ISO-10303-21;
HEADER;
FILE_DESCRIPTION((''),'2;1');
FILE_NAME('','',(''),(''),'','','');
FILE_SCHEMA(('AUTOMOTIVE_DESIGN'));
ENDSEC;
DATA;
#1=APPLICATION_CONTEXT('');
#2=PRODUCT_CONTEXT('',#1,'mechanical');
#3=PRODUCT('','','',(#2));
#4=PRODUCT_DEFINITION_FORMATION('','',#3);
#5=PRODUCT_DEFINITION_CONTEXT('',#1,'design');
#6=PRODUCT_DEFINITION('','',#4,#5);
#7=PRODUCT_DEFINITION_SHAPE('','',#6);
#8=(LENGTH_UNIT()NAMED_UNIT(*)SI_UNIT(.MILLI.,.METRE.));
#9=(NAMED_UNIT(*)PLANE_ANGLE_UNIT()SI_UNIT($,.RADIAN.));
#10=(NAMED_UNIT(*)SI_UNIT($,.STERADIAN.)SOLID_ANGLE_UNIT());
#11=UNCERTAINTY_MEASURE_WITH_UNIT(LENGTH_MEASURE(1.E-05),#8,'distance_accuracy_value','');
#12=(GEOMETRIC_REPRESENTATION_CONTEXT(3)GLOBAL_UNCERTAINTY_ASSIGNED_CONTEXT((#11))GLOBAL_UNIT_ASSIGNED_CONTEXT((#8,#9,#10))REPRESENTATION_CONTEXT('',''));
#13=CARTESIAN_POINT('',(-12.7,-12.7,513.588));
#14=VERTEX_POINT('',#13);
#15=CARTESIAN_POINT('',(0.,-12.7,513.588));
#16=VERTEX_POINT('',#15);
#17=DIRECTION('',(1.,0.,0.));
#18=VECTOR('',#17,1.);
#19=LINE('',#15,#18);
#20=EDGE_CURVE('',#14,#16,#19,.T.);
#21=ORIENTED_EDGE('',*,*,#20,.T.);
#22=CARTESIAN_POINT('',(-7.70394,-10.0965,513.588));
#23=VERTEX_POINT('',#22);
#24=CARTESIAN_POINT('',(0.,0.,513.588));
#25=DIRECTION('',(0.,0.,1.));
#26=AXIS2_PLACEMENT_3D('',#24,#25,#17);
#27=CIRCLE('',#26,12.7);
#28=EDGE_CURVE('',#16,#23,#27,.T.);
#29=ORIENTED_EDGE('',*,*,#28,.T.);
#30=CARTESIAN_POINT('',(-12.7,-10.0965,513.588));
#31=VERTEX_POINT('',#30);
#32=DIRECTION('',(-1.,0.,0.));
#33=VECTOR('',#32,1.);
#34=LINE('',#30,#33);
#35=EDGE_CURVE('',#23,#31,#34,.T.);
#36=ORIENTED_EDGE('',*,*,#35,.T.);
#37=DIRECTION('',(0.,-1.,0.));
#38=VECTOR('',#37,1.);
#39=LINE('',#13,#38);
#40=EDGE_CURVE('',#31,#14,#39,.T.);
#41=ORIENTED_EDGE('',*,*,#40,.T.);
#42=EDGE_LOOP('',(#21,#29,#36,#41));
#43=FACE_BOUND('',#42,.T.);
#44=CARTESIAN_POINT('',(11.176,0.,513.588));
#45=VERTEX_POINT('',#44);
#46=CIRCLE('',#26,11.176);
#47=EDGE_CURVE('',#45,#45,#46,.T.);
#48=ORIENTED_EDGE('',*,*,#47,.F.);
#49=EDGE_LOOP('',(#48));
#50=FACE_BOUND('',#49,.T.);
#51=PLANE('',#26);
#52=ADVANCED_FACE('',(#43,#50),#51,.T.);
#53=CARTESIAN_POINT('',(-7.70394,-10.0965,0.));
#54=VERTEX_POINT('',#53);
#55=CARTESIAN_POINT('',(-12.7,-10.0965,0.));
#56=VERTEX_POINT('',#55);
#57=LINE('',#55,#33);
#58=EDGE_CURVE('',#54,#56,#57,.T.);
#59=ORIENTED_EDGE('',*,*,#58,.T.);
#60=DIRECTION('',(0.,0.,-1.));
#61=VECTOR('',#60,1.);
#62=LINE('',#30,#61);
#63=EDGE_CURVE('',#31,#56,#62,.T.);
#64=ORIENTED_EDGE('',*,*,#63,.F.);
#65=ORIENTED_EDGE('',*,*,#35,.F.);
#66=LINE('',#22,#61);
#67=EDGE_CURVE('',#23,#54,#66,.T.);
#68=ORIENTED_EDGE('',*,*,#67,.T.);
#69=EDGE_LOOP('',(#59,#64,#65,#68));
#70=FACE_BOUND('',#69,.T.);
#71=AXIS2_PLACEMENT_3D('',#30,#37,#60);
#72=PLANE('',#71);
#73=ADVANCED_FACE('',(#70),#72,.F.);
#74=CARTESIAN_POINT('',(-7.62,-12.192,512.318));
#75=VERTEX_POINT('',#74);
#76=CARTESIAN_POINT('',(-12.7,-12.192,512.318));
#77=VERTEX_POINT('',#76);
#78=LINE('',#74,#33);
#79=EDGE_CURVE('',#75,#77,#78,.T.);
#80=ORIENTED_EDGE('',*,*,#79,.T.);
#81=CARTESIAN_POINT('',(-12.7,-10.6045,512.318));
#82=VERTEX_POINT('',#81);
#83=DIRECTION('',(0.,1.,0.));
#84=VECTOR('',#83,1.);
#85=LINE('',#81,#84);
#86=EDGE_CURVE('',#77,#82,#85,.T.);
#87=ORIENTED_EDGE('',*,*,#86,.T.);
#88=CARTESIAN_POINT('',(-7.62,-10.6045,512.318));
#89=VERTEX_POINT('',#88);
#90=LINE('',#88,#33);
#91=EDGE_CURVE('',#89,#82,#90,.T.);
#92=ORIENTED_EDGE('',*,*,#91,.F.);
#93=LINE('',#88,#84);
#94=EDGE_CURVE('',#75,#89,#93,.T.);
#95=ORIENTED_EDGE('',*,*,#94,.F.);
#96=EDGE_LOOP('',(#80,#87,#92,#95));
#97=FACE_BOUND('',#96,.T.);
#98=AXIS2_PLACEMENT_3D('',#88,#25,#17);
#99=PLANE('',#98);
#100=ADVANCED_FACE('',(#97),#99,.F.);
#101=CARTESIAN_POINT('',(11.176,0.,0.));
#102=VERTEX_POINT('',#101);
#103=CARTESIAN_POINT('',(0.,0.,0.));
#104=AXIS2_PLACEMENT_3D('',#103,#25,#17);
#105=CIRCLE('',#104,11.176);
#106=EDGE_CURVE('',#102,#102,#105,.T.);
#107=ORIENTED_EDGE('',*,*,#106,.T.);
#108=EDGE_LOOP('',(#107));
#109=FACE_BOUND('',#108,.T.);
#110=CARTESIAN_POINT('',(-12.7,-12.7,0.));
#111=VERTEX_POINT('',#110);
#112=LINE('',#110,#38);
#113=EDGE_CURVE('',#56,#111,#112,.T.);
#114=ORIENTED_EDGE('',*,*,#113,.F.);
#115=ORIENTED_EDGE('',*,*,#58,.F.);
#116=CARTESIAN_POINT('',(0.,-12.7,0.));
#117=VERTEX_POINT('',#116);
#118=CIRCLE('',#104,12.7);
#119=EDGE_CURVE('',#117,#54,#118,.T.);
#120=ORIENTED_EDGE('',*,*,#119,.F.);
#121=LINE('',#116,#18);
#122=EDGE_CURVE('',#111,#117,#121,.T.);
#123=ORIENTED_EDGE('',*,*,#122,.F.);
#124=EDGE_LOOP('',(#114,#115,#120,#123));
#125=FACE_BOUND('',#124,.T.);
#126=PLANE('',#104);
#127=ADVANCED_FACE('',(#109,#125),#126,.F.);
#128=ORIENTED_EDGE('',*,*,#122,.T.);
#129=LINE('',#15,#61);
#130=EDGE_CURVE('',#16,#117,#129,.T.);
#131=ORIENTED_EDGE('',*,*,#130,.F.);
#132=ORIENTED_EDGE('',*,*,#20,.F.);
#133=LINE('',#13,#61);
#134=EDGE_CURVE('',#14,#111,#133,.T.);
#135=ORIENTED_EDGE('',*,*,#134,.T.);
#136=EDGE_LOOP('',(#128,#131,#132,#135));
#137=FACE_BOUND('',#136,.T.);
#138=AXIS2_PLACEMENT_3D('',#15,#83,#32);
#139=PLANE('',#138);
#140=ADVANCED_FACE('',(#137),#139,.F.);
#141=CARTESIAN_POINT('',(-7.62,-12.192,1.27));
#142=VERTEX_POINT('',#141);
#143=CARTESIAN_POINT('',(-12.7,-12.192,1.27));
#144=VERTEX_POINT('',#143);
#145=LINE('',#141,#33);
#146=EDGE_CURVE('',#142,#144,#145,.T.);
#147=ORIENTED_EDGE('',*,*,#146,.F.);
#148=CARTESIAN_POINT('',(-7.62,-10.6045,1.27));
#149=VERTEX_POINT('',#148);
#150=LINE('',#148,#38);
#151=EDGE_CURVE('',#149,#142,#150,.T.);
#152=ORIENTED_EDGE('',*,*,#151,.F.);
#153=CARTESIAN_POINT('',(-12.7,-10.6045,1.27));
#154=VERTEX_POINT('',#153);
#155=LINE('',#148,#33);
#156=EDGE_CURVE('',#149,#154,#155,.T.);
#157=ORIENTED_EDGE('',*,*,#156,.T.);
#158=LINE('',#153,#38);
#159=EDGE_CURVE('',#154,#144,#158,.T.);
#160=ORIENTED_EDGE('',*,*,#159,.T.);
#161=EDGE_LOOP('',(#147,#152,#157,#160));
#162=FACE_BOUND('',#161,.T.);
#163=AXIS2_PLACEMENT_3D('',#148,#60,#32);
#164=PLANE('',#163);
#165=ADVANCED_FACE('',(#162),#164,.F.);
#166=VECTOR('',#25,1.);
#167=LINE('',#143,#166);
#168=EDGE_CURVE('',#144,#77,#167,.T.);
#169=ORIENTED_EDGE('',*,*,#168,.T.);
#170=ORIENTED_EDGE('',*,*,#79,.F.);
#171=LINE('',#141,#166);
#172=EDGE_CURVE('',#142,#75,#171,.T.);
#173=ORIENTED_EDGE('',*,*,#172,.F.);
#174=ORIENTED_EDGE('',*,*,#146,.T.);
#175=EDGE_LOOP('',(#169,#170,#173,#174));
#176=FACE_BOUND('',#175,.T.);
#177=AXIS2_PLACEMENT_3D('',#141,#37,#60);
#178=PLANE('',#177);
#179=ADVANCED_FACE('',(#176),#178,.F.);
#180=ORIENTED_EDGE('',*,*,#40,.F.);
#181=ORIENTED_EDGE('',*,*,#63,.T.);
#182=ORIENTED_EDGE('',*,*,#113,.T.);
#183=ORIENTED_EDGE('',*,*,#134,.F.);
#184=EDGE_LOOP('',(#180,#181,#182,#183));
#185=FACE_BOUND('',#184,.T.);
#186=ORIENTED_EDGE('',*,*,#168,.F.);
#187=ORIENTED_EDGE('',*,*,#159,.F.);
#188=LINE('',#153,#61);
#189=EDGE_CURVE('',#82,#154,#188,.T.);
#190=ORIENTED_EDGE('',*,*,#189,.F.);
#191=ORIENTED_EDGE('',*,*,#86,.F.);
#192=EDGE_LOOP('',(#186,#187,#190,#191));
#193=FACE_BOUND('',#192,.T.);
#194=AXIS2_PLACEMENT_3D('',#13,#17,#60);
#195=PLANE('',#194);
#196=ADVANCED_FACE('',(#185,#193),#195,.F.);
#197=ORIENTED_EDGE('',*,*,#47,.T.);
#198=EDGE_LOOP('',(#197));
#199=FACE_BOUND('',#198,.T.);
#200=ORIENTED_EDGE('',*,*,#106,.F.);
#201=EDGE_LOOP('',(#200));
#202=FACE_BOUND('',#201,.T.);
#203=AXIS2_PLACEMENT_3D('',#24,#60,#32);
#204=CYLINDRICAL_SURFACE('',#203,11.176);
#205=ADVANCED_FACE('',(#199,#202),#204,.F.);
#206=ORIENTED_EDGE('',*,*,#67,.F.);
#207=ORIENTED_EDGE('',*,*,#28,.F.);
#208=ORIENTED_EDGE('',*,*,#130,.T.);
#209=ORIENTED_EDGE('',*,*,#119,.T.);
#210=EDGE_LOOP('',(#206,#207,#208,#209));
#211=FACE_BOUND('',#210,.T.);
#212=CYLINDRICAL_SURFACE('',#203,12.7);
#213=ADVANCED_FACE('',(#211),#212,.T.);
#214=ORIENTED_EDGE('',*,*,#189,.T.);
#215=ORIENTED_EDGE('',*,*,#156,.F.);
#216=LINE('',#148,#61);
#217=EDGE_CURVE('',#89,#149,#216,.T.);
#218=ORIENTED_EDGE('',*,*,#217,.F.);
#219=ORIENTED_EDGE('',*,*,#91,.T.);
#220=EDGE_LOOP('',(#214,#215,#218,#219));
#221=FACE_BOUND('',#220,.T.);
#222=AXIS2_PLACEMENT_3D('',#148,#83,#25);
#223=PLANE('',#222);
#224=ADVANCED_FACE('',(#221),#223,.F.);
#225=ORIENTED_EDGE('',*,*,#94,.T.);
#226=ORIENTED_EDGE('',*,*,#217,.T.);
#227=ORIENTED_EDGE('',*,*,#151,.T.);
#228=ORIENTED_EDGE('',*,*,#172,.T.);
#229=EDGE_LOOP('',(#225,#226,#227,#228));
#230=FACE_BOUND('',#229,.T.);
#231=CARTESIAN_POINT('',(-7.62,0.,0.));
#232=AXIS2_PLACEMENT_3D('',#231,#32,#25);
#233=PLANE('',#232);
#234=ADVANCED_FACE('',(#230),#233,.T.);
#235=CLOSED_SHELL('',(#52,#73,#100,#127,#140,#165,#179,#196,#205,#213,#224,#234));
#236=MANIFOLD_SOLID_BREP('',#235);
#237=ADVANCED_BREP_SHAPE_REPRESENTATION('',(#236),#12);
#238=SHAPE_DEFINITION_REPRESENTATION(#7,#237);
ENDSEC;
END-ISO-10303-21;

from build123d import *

# Parameters (mm, degrees)
SKETCH1_R           = 11.176
BOSS_EXTRUDE1_DEPTH = 513.588
SKETCH2_W           = 511.048
SKETCH2_H           = 1.5875
CUT_EXTRUDE1_DEPTH  = 5.08


with BuildPart() as part:
    # Sketch1 → Boss-Extrude1 (new body)
    with BuildSketch(Plane.XY):
        with BuildLine():
            Line((0, -12.7), (-12.7, -12.7))
            Line((-12.7, -12.7), (-12.7, -10.0965))
            Line((-12.7, -10.0965), (-7.703939755, -10.0965))
            ThreePointArc((-7.703939755, -10.0965), (4.065983891, 12.031532529), (0, -12.7))
        make_face()
        Circle(SKETCH1_R, mode=Mode.SUBTRACT)
    extrude(amount=BOSS_EXTRUDE1_DEPTH)

    # Sketch2 → Cut-Extrude1 (cut)
    with BuildSketch(Plane.ZY.offset(12.7)):
        with Locations((256.794, -11.39825)):
            Rectangle(SKETCH2_W, SKETCH2_H)
    extrude(amount=-CUT_EXTRUDE1_DEPTH, mode=Mode.SUBTRACT)


solid = part.part
